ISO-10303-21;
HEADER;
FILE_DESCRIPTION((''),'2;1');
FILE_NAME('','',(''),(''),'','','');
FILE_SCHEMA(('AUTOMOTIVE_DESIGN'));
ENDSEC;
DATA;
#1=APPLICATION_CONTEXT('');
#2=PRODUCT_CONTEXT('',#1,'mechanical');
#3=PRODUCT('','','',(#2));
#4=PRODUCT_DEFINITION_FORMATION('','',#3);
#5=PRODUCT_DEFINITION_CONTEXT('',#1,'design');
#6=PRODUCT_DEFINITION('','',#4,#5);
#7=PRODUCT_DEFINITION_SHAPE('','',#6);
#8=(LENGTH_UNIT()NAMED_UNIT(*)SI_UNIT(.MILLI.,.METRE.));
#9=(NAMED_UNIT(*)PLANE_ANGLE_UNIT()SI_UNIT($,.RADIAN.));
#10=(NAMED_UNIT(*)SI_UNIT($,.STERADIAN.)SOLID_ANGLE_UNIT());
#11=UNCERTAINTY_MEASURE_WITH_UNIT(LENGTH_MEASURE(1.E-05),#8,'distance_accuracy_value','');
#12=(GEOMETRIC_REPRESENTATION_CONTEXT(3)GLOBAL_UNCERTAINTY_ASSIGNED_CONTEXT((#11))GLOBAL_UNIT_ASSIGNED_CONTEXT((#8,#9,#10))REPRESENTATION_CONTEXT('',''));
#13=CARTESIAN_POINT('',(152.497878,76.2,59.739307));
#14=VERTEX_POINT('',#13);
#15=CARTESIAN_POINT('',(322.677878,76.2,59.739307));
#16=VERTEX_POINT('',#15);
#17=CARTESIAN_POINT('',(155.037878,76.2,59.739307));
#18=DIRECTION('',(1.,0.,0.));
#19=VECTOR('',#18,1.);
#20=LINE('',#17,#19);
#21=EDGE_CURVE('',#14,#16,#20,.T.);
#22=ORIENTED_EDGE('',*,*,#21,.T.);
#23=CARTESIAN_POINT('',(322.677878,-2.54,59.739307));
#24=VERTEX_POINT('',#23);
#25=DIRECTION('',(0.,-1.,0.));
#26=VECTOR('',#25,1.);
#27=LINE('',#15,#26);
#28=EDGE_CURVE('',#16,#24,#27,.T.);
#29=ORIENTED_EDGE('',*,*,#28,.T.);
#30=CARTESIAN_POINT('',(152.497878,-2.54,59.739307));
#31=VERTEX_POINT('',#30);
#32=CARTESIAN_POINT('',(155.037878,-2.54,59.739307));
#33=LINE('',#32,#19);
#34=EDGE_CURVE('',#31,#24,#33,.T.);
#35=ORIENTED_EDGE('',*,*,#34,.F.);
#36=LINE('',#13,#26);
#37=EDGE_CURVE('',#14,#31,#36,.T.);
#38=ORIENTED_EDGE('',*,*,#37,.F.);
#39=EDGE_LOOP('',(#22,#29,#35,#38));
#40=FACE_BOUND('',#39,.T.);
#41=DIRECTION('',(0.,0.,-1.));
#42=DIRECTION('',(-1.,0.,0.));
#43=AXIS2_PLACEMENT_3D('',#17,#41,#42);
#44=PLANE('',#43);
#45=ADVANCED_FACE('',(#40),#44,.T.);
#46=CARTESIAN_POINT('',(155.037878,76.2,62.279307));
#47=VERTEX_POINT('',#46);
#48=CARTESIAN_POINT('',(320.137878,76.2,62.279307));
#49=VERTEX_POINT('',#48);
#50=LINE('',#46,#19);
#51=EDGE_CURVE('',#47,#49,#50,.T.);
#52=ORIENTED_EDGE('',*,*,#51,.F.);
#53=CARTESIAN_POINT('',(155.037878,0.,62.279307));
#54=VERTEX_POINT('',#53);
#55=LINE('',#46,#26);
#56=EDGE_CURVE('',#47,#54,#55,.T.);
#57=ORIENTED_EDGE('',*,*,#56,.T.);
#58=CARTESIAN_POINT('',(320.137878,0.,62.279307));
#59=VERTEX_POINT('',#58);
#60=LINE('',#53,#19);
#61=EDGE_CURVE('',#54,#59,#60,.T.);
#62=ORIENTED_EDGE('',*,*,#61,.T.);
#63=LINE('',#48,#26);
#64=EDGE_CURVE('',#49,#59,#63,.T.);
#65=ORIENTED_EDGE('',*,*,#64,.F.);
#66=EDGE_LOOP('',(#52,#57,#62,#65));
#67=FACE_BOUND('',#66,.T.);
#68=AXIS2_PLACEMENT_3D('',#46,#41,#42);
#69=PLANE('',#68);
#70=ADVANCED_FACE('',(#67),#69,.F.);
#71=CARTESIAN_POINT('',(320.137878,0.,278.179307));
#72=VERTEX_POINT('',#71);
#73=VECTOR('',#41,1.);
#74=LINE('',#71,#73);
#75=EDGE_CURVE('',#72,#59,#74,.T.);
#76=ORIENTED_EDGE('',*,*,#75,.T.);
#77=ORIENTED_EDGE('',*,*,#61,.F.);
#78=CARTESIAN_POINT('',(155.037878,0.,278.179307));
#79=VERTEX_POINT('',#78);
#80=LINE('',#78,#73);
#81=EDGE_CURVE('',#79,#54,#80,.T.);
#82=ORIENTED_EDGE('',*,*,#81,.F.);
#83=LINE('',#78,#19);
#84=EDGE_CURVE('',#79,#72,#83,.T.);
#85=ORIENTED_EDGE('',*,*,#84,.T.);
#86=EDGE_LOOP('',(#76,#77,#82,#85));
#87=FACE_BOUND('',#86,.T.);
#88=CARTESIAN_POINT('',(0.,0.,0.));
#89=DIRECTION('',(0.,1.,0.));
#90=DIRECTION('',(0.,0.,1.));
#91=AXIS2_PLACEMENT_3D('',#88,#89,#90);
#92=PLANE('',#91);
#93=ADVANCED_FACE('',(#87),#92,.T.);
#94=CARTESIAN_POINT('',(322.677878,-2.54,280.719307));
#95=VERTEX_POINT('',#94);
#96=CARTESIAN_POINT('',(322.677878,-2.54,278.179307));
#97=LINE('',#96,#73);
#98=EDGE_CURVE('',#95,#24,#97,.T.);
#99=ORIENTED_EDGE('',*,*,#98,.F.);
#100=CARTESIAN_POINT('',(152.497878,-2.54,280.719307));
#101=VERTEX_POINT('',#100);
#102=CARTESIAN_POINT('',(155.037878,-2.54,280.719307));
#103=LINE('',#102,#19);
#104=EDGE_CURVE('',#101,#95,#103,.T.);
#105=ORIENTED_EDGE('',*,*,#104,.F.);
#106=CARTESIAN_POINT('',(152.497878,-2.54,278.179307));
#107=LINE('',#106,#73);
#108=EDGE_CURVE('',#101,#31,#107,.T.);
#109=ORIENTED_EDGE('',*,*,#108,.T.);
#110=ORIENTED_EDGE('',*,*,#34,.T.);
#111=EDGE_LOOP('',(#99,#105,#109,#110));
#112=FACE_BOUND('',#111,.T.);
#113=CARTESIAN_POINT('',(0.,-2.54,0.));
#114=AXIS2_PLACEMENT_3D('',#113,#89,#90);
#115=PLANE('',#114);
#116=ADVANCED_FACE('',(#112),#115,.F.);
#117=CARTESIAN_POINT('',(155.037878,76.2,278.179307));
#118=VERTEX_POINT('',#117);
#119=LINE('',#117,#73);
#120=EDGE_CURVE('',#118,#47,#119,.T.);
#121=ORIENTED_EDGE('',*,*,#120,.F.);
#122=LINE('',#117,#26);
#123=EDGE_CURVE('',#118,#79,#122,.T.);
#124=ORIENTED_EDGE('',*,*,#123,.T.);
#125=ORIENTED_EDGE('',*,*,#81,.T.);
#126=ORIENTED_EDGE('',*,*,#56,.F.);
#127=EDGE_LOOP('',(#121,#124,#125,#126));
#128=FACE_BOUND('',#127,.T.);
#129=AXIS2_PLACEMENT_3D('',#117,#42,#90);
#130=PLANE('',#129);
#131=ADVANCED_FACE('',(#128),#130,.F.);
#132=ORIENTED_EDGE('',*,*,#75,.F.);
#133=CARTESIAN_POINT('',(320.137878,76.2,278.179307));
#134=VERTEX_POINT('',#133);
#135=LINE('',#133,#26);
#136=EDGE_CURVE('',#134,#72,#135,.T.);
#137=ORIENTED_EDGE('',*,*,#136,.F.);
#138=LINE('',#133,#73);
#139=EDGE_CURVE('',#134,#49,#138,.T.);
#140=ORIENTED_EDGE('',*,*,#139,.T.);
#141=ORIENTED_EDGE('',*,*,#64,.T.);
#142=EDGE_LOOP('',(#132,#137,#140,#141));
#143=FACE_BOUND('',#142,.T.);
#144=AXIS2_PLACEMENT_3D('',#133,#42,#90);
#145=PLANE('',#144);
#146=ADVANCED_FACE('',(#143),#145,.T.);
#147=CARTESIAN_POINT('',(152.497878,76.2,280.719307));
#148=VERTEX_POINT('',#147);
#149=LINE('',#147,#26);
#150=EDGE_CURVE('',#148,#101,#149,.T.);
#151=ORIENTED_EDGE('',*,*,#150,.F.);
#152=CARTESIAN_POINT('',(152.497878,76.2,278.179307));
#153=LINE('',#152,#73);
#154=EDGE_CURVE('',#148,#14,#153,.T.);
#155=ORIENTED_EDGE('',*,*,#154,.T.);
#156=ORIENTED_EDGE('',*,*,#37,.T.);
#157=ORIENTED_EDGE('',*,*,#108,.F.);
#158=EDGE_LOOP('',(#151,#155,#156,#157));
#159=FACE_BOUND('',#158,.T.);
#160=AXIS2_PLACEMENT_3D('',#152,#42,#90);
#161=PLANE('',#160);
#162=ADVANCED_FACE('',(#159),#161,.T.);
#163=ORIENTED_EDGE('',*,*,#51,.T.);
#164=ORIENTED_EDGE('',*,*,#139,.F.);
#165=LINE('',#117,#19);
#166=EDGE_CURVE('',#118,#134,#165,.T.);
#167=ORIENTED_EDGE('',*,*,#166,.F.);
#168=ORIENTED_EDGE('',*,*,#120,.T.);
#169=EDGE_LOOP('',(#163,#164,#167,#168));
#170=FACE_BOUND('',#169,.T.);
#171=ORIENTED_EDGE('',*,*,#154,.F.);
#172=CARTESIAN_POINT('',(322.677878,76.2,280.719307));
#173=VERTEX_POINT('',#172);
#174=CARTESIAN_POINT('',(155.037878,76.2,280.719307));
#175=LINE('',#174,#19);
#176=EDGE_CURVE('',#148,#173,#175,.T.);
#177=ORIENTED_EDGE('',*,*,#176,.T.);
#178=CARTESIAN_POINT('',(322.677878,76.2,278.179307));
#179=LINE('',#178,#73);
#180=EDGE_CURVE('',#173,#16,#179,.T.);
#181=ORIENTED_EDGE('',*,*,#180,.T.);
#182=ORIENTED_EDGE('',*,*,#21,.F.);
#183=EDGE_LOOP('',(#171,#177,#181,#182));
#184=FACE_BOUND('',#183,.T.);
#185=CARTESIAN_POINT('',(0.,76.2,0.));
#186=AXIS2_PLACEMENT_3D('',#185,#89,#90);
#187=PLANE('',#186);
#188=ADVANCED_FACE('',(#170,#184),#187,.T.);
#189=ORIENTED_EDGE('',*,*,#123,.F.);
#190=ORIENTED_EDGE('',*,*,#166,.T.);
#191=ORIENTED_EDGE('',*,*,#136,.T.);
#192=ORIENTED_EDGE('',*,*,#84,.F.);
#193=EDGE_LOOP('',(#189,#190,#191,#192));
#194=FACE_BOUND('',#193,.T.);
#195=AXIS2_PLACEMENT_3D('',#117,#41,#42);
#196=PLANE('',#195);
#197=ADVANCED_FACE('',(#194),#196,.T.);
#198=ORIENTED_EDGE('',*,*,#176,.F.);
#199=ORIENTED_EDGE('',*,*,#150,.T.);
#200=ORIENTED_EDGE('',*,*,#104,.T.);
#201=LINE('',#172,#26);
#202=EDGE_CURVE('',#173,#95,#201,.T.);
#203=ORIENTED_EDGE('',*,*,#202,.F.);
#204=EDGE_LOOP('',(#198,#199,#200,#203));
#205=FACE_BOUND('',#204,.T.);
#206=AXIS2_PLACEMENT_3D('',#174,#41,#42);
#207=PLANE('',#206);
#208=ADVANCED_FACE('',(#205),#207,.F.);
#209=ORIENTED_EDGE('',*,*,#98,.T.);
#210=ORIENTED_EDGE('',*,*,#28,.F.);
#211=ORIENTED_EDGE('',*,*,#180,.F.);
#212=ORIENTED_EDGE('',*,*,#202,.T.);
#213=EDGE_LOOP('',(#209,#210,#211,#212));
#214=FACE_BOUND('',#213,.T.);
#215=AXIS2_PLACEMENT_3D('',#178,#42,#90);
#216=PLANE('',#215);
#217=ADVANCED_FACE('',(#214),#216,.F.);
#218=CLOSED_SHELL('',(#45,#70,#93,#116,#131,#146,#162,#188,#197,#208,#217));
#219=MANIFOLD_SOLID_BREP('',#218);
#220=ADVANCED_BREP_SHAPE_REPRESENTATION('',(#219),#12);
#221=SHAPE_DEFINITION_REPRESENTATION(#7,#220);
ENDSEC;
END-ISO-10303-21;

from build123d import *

# Parameters (mm, degrees)
SKETCH1_W           = 165.1
SKETCH1_H           = 215.9
BOSS_EXTRUDE1_DEPTH = 76.2
SHELL3_T            = 2.54


with BuildPart() as part:
    # Sketch1 → Boss-Extrude1 (new body)
    with BuildSketch(Plane(origin=(0, 0, 0), x_dir=(1, 0, 0), z_dir=(0, 1, 0))):
        with Locations((237.587878046, -170.22930732)):
            Rectangle(SKETCH1_W, SKETCH1_H)
    extrude(amount=BOSS_EXTRUDE1_DEPTH)

    # Shell3
    shell3_openings = [part.faces().sort_by_distance(p)[0] for p in [
        (237.587878046, 76.2, 170.22930732),
    ]]
    offset(amount=SHELL3_T, openings=shell3_openings, kind=Kind.INTERSECTION)


solid = part.part
